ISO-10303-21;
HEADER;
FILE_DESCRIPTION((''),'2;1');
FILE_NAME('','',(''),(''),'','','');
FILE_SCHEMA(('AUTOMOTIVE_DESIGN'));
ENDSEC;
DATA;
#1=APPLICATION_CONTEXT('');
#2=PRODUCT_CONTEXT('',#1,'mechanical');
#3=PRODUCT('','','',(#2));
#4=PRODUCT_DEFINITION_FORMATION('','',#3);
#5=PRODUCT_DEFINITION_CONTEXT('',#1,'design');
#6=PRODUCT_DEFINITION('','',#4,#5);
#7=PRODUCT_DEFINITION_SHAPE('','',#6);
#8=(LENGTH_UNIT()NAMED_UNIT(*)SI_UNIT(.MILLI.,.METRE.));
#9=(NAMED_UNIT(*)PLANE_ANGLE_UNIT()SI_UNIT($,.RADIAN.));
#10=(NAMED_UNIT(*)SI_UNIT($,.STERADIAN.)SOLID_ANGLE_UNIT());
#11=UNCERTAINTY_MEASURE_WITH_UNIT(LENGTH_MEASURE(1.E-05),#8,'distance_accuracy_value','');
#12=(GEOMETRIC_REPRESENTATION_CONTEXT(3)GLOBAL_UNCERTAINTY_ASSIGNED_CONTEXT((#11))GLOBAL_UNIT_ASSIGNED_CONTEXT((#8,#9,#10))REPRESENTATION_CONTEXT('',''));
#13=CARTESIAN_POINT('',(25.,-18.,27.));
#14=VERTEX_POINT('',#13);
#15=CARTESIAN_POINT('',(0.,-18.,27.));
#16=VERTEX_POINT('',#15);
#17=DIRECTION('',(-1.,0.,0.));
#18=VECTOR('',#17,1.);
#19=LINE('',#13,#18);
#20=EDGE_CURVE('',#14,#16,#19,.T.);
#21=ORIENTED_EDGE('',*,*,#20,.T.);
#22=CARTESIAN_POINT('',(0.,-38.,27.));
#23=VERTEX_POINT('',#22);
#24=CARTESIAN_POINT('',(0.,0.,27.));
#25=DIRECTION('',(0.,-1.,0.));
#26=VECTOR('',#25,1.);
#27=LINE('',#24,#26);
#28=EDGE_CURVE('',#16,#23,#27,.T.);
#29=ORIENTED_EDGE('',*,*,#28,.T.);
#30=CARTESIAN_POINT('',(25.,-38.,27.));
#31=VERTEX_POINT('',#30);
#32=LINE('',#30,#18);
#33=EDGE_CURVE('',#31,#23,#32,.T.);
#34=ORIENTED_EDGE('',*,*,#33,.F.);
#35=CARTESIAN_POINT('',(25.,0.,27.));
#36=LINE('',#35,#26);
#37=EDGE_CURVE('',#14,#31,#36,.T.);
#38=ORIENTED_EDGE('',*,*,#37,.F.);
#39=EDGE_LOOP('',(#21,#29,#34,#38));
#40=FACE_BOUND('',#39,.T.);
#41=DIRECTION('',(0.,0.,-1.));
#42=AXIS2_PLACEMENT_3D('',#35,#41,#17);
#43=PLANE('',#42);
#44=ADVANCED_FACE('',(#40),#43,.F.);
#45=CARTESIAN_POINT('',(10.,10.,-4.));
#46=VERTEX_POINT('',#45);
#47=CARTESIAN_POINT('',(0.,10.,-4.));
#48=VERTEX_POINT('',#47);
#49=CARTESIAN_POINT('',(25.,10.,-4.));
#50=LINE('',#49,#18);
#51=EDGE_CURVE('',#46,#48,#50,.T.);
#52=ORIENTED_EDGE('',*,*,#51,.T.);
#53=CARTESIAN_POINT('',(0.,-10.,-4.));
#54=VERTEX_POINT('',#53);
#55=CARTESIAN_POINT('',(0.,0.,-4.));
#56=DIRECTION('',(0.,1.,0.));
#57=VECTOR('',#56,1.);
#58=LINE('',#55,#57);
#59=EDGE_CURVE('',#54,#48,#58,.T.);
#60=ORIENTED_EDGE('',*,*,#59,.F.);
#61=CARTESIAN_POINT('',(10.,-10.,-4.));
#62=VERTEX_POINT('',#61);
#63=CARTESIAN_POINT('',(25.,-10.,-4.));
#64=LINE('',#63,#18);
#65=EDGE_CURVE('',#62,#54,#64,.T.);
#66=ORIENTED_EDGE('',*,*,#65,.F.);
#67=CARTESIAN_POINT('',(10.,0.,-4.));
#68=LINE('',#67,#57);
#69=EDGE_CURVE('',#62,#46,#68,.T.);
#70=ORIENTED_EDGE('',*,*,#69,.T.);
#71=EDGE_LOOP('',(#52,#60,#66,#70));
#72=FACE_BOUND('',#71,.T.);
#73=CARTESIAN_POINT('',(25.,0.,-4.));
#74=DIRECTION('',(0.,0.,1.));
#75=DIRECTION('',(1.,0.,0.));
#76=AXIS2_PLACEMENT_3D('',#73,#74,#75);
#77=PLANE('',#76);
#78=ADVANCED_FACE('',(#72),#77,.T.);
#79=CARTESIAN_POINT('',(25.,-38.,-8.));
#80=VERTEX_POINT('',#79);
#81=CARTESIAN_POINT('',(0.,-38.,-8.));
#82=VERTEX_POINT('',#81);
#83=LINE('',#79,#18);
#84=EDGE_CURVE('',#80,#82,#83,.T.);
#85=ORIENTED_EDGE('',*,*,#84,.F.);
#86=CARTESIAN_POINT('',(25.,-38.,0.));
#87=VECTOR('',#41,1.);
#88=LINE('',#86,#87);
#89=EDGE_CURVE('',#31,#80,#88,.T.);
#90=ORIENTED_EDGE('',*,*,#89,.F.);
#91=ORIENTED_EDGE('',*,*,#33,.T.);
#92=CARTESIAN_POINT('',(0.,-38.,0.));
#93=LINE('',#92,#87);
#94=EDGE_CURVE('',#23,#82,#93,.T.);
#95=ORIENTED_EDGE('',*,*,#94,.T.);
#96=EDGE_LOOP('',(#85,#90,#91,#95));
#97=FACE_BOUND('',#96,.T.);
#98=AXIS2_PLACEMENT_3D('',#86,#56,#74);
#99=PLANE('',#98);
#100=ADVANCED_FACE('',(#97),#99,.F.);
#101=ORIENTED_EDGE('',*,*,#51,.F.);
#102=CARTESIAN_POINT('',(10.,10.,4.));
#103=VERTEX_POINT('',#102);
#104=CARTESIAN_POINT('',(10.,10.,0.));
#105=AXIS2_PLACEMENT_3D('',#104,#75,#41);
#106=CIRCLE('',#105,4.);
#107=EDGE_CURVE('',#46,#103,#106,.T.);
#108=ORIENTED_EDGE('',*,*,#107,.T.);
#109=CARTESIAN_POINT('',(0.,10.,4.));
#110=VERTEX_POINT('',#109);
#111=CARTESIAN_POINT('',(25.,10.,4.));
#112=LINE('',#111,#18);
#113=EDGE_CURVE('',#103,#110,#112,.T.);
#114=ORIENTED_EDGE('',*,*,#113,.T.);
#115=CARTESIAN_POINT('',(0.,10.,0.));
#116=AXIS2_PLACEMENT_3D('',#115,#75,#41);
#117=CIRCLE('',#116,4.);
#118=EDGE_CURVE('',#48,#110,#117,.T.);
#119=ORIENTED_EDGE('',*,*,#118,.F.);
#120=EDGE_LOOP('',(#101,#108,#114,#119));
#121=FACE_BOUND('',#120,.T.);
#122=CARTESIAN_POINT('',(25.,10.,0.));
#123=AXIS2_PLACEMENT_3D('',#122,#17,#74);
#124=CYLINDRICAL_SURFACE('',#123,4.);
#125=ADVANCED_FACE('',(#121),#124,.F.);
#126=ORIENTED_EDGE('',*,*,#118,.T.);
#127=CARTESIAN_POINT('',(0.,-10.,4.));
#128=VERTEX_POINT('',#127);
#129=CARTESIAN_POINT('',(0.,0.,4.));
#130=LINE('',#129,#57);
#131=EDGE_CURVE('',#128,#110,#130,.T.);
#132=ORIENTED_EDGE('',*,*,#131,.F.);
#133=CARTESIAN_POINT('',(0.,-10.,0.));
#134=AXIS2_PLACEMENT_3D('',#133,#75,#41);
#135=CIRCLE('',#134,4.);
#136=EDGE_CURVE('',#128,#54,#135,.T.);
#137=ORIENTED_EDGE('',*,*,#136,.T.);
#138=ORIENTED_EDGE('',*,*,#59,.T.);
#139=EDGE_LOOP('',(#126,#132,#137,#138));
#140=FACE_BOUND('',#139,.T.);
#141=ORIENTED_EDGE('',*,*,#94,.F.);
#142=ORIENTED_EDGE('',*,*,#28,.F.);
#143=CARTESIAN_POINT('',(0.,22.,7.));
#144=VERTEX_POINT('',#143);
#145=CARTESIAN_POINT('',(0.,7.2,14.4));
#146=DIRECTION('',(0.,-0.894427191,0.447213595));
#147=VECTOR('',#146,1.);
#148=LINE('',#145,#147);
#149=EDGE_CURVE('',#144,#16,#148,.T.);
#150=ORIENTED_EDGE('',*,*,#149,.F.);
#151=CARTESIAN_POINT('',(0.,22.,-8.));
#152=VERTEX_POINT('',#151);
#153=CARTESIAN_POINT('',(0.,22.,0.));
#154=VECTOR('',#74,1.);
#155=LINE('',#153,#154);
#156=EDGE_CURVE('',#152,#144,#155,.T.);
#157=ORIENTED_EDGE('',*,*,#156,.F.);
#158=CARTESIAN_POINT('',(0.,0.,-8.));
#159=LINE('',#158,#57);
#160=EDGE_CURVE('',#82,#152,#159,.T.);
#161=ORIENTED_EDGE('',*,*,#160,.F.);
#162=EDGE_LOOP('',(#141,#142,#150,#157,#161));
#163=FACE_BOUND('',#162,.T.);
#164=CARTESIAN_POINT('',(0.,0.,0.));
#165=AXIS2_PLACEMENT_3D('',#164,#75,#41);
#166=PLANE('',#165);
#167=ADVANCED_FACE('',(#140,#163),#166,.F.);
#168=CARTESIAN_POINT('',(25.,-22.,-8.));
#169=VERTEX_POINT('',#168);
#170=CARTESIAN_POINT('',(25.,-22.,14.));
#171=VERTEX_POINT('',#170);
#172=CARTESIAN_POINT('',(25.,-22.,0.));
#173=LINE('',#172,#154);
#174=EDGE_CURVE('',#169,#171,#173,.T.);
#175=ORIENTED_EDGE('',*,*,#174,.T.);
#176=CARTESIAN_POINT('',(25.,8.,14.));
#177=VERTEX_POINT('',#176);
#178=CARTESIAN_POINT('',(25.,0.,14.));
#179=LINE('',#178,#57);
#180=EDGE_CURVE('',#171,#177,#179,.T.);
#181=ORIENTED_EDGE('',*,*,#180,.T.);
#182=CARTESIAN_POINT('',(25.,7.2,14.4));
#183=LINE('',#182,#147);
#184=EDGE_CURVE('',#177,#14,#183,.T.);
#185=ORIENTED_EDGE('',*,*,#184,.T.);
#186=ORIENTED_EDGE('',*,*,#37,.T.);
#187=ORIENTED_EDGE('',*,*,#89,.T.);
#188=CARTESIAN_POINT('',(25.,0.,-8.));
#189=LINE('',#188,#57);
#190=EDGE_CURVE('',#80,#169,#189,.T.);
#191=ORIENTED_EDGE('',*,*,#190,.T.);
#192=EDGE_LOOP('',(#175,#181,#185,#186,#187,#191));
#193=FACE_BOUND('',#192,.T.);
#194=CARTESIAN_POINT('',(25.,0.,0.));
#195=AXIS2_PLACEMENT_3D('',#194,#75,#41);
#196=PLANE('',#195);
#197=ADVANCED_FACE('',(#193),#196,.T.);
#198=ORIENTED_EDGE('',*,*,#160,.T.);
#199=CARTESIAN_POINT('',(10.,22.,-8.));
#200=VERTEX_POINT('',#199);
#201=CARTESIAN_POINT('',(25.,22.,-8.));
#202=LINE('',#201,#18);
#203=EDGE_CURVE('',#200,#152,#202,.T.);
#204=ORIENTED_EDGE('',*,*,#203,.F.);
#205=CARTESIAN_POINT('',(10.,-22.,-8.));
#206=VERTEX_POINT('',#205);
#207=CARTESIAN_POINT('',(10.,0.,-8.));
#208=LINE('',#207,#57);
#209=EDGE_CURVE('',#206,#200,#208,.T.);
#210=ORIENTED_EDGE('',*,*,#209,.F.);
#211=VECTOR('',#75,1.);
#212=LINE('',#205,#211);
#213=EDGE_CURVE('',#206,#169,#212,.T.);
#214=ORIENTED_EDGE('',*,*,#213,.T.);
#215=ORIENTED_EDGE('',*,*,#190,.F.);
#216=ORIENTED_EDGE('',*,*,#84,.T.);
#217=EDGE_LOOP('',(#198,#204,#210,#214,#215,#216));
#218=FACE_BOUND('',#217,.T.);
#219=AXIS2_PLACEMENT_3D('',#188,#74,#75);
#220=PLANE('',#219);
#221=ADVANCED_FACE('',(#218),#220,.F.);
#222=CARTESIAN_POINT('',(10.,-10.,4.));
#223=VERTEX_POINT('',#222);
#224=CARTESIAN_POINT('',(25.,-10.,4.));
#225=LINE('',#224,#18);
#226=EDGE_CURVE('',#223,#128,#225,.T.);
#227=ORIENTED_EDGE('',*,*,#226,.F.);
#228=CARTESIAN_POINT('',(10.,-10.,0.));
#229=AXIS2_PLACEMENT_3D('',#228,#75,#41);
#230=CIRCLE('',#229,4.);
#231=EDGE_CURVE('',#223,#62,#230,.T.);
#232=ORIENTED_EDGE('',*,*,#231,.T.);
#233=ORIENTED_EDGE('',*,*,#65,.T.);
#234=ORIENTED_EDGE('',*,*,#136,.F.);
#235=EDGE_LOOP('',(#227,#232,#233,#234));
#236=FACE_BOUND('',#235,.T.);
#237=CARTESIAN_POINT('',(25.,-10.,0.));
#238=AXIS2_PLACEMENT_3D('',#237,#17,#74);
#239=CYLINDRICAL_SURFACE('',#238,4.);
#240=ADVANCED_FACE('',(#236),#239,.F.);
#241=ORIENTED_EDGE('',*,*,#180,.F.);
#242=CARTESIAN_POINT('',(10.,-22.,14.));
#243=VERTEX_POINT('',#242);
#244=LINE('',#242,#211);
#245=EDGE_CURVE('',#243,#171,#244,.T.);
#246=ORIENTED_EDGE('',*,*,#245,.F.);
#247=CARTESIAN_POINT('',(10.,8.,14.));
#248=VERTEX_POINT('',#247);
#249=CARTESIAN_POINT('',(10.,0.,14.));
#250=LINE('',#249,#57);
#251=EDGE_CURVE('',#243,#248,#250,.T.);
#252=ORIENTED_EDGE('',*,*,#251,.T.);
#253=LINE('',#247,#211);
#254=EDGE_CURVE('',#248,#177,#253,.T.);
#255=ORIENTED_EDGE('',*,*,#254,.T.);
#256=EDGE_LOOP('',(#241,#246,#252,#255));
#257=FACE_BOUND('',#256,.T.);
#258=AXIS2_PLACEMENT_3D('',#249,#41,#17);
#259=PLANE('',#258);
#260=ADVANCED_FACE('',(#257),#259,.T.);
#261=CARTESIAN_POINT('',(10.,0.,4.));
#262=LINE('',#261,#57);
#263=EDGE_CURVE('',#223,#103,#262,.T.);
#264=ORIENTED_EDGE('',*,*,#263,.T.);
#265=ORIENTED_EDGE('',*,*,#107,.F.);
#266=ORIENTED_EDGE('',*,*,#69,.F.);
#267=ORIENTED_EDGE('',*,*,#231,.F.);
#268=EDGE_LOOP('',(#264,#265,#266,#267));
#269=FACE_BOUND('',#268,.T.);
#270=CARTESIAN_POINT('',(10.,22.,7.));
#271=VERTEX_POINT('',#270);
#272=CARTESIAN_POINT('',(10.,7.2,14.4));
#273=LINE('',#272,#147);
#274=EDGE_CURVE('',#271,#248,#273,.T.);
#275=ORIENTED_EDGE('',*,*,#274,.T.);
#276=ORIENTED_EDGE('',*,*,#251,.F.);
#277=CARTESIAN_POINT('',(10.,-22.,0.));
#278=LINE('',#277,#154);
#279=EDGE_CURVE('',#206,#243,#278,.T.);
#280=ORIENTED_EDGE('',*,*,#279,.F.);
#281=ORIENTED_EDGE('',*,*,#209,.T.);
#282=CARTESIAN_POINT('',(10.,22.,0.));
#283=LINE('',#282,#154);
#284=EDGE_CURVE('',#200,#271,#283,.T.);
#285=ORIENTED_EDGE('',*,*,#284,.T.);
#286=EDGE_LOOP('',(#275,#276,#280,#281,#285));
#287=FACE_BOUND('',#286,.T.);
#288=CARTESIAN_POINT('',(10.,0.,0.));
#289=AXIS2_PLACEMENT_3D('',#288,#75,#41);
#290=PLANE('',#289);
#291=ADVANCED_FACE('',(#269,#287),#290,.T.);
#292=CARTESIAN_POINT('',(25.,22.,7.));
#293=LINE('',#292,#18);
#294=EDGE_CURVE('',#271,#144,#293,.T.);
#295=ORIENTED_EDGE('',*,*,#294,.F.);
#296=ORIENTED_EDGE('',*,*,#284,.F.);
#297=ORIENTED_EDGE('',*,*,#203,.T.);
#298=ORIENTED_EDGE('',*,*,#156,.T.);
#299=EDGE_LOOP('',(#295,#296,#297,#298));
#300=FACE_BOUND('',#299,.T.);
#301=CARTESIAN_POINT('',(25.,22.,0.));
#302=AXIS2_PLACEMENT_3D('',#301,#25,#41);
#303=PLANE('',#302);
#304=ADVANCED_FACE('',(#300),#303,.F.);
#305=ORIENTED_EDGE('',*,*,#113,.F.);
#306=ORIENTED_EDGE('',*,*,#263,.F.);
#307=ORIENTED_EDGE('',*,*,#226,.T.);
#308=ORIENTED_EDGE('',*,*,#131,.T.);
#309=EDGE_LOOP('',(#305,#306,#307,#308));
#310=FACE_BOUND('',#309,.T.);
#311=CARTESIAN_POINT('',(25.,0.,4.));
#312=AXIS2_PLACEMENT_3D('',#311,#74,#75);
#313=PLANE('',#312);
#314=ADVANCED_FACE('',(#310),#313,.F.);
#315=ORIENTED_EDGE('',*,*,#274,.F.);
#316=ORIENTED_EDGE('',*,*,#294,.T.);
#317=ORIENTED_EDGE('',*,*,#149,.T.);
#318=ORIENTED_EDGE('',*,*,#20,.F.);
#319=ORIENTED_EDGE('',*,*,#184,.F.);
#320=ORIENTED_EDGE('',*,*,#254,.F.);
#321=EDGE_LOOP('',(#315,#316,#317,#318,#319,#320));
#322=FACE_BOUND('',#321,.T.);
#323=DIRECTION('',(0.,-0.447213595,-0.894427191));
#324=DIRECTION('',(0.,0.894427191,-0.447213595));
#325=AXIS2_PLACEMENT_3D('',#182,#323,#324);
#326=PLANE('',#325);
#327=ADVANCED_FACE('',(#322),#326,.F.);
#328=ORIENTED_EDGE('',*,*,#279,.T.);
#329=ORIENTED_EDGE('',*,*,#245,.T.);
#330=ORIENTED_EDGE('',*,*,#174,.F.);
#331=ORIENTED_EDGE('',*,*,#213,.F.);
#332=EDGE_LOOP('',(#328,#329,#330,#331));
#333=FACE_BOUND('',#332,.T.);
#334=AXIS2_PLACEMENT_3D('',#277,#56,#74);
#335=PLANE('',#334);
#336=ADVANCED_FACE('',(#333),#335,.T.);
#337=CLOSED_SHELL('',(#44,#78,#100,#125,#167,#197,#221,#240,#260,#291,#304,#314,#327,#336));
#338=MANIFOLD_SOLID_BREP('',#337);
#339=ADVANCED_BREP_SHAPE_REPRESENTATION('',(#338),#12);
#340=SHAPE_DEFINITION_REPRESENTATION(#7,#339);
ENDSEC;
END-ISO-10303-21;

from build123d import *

# Parameters (mm, degrees)
BOSS_EXTRUDE1_DEPTH = 25
BOSS_EXTRUDE2_DEPTH = 25
CUT_EXTRUDE1_START  = 10
CUT_EXTRUDE1_DEPTH  = 15


with BuildPart() as part:
    # Sketch1 → Boss-Extrude1 (new body)
    with BuildSketch(Plane.YZ):
        Polygon((-38, 27), (-38, -8), (-22, -8), (-22, 14), (8, 14), (-18, 27), align=None)
    extrude(amount=BOSS_EXTRUDE1_DEPTH)

    # Sketch1<3> → Boss-Extrude2 (add)
    with BuildSketch(Plane.YZ):
        Polygon((-22, 14), (-22, -8), (22, -8), (22, 7), (8, 14), align=None)
        with BuildLine():
            ThreePointArc((-10, -4), (-14, 0), (-10, 4))
            Line((-10, 4), (10, 4))
            ThreePointArc((10, 4), (14, 0), (10, -4))
            Line((10, -4), (-10, -4))
        make_face(mode=Mode.SUBTRACT)
    extrude(amount=BOSS_EXTRUDE2_DEPTH)

    # Sketch1<4> → Cut-Extrude1 (cut)
    with BuildSketch(Plane.YZ.offset(CUT_EXTRUDE1_START)):
        Polygon((-22, 14), (-22, -8), (22, -8), (22, 7), (8, 14), align=None)
        with BuildLine():
            ThreePointArc((-10, -4), (-14, 0), (-10, 4))
            Line((-10, 4), (10, 4))
            ThreePointArc((10, 4), (14, 0), (10, -4))
            Line((10, -4), (-10, -4))
        make_face(mode=Mode.SUBTRACT)
    extrude(amount=CUT_EXTRUDE1_DEPTH, mode=Mode.SUBTRACT)


solid = part.part
